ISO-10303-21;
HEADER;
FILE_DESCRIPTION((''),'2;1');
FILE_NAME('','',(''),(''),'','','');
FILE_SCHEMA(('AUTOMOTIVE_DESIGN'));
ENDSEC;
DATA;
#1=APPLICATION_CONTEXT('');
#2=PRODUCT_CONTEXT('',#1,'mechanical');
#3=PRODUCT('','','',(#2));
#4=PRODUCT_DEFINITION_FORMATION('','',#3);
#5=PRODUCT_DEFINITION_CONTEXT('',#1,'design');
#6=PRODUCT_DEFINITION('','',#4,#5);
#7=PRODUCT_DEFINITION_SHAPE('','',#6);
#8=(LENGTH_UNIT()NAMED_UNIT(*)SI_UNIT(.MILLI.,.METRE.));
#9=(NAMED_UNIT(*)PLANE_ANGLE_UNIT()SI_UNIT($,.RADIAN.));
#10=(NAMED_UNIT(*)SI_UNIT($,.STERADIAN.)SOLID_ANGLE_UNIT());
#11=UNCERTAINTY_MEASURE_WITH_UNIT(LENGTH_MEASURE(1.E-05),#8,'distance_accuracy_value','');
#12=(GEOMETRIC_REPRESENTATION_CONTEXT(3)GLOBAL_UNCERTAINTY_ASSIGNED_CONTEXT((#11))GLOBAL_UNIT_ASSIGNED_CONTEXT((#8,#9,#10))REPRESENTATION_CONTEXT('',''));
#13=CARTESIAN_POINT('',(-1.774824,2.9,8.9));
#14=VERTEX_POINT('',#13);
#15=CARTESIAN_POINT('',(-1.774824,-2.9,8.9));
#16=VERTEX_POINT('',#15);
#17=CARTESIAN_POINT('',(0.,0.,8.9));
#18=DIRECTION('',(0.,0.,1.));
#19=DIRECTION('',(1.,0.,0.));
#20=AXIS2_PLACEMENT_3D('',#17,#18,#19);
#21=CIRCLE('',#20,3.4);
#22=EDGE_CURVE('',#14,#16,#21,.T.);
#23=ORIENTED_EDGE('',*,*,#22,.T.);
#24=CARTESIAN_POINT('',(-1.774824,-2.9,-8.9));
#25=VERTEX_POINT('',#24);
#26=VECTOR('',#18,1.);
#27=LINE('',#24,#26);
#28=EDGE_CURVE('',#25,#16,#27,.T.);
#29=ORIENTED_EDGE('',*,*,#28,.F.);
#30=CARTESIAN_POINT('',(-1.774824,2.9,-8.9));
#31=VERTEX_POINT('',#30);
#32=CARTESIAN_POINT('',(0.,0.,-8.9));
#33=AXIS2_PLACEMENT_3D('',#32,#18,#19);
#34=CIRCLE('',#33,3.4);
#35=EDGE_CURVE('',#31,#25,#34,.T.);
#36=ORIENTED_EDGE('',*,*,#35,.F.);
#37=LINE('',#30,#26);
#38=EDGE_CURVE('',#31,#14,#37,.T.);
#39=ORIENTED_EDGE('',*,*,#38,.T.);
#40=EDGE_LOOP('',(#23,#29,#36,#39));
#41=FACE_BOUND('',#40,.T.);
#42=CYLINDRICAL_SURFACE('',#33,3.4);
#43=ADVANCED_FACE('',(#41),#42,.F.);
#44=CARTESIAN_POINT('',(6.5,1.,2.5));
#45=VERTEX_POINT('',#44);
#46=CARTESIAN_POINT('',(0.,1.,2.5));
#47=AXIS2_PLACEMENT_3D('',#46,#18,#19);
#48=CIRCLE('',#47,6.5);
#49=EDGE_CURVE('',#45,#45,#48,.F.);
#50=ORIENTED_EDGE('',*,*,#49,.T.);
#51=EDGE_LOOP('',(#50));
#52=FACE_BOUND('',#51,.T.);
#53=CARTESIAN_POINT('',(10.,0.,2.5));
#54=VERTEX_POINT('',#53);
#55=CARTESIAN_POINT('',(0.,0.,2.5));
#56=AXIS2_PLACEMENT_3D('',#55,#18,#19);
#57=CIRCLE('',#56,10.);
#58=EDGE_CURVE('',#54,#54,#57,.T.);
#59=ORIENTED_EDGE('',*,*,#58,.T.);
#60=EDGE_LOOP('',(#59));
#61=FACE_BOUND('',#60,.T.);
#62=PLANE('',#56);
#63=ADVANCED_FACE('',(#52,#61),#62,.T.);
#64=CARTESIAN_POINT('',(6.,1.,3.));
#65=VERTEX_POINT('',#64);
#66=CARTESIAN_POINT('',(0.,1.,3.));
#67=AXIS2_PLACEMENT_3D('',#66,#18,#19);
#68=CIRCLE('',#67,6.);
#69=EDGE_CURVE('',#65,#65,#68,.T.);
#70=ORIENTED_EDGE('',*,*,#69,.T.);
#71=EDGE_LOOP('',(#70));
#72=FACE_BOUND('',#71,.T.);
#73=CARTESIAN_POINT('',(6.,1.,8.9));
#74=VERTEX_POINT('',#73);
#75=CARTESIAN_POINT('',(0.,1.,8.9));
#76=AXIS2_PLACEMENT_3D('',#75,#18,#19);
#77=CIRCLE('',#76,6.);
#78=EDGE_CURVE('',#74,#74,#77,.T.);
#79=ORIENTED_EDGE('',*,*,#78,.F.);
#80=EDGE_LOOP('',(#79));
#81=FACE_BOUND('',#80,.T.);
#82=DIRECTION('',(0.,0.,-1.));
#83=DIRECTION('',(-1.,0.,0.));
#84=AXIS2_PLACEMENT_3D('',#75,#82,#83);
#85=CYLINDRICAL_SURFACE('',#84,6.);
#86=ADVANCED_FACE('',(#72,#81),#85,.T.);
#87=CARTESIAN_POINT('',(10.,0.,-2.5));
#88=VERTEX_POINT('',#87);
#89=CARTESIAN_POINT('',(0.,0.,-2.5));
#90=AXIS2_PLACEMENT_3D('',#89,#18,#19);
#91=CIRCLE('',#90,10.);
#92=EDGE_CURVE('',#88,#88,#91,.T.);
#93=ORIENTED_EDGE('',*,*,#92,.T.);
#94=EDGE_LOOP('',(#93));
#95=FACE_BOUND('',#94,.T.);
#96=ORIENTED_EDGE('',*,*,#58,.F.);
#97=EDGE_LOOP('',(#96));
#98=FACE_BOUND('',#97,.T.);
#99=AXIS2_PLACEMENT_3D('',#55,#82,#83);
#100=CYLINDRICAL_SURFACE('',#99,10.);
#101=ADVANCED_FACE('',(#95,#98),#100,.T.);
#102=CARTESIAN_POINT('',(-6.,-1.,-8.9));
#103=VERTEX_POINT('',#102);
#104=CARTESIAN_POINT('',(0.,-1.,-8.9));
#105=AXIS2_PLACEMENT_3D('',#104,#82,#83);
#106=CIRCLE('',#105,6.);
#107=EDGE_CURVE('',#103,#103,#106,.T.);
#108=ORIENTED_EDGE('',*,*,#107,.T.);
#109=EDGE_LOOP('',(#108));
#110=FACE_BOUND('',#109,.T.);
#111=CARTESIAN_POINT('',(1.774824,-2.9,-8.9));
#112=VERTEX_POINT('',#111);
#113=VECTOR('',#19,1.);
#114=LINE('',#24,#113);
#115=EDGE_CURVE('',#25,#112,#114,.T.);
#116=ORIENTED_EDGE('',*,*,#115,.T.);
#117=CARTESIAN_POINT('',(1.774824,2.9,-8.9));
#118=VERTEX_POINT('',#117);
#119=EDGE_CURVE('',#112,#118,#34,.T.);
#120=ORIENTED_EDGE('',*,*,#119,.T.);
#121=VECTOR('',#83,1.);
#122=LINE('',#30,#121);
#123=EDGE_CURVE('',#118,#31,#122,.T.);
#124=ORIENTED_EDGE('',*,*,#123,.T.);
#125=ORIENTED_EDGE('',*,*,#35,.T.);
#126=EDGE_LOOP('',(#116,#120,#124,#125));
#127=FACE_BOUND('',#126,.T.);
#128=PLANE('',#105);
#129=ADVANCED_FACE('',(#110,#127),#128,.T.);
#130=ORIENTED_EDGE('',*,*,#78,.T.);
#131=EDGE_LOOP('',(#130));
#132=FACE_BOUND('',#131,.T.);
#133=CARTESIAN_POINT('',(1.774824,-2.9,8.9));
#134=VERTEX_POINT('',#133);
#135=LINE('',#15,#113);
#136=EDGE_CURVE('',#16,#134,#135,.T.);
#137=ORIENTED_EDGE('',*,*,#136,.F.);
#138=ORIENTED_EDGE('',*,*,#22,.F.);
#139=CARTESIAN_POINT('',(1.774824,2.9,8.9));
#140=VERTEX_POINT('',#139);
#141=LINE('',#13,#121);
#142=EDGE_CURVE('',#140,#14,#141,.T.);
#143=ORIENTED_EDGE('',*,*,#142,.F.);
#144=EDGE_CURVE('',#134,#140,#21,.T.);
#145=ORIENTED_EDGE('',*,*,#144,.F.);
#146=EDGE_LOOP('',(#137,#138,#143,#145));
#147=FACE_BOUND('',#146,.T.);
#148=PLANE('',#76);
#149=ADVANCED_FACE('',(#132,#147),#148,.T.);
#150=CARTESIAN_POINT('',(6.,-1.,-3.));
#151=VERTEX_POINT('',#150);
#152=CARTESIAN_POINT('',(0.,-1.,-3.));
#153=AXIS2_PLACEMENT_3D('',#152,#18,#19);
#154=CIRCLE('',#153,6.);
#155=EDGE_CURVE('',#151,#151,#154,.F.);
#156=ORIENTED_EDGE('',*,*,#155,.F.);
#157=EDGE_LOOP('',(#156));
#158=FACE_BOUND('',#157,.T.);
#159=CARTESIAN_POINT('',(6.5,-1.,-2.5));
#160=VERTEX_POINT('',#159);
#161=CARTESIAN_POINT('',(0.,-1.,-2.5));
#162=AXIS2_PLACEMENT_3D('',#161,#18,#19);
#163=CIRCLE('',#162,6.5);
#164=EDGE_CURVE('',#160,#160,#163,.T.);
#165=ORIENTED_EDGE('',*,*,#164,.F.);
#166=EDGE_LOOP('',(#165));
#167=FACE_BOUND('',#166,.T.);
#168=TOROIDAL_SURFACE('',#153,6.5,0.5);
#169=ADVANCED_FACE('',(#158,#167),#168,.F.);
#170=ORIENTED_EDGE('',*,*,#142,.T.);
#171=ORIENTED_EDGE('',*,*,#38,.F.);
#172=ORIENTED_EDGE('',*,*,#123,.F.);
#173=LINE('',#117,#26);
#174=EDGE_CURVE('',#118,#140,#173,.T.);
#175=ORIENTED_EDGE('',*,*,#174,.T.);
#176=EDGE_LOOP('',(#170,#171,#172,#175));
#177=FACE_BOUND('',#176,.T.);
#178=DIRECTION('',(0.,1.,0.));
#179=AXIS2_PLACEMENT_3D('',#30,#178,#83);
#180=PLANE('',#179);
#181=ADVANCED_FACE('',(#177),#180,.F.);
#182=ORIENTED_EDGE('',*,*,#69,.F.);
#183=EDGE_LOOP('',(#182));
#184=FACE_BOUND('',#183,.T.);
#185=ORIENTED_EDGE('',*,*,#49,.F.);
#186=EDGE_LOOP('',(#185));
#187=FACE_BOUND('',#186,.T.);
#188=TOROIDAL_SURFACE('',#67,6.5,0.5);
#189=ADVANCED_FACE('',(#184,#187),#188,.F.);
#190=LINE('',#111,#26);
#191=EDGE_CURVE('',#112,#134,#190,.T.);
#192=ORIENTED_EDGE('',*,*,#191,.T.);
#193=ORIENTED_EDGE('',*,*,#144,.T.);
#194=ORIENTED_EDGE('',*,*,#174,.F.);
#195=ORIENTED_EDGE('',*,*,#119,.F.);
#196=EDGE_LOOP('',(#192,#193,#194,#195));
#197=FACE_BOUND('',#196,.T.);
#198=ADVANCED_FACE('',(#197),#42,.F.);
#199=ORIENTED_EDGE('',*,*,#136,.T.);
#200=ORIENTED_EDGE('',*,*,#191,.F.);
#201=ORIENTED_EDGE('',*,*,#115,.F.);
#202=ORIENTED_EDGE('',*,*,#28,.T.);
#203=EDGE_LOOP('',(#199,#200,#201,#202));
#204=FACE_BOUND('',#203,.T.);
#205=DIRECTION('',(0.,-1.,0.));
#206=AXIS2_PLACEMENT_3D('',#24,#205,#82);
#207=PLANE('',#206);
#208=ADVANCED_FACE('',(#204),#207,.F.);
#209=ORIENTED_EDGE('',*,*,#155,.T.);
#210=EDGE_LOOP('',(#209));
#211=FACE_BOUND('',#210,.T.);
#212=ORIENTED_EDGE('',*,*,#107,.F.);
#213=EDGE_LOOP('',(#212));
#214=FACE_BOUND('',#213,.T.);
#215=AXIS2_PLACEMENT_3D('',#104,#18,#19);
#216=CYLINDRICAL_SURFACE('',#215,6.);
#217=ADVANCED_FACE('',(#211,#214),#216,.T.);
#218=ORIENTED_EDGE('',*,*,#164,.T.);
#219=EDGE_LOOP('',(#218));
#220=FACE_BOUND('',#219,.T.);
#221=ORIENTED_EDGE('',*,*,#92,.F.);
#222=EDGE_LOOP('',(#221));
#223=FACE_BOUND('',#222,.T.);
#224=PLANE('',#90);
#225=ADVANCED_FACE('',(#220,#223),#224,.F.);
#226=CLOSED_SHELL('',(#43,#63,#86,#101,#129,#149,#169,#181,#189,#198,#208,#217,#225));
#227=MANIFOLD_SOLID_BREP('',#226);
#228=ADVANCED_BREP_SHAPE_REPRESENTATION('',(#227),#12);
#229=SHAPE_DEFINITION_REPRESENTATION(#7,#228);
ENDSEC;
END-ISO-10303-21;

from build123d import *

# Parameters (mm, degrees)
SKETCH6_R               = 10
BOSS_EXTRUDE4_DEPTH     = 2.5
SKETCH7_R               = 6
BOSS_EXTRUDE5_DEPTH     = 6.4
SKETCH8_R               = 6
BOSS_EXTRUDE6_DEPTH     = 6.4
CUT_EXTRUDE1_DEPTH      = 7.4
CUT_EXTRUDE1_DEPTH_BACK = 12.4
FILLET1_R               = 0.5


with BuildPart() as part:
    # Sketch6 → Boss-Extrude4 (new body, symmetric)
    with BuildSketch(Plane.XY):
        Circle(SKETCH6_R)
    extrude(amount=BOSS_EXTRUDE4_DEPTH, both=True)

    # Sketch7 → Boss-Extrude5 (add)
    with BuildSketch(Plane.XY.offset(2.5)):
        with Locations((0, 1)):
            Circle(SKETCH7_R)
    extrude(amount=BOSS_EXTRUDE5_DEPTH)

    # Sketch8 → Boss-Extrude6 (add)
    with BuildSketch(Plane(origin=(0, 0, -2.5), x_dir=(-1, 0, 0), z_dir=(0, 0, -1))):
        with Locations((0, -1)):
            Circle(SKETCH8_R)
    extrude(amount=BOSS_EXTRUDE6_DEPTH)

    # Sketch11 → Cut-Extrude1 (cut, two sides)
    with BuildSketch(Plane.XY.offset(2.5)) as cut_extrude1_sk:
        with BuildLine():
            Line((-1.774823935, -2.9), (1.774823935, -2.9))
            ThreePointArc((1.774823935, -2.9), (3.4, 0), (1.774823935, 2.9))
            Line((1.774823935, 2.9), (-1.774823935, 2.9))
            ThreePointArc((-1.774823935, 2.9), (-3.4, 0), (-1.774823935, -2.9))
        make_face()
    extrude(amount=CUT_EXTRUDE1_DEPTH, mode=Mode.SUBTRACT)
    extrude(cut_extrude1_sk.sketch, amount=-CUT_EXTRUDE1_DEPTH_BACK, mode=Mode.SUBTRACT)

    # Fillet1
    fillet1_edges = [part.edges().sort_by_distance(p)[0] for p in [
        (6, -1, -2.5),
        (-6, 1, 2.5),
    ]]
    fillet(fillet1_edges, radius=FILLET1_R)


solid = part.part
